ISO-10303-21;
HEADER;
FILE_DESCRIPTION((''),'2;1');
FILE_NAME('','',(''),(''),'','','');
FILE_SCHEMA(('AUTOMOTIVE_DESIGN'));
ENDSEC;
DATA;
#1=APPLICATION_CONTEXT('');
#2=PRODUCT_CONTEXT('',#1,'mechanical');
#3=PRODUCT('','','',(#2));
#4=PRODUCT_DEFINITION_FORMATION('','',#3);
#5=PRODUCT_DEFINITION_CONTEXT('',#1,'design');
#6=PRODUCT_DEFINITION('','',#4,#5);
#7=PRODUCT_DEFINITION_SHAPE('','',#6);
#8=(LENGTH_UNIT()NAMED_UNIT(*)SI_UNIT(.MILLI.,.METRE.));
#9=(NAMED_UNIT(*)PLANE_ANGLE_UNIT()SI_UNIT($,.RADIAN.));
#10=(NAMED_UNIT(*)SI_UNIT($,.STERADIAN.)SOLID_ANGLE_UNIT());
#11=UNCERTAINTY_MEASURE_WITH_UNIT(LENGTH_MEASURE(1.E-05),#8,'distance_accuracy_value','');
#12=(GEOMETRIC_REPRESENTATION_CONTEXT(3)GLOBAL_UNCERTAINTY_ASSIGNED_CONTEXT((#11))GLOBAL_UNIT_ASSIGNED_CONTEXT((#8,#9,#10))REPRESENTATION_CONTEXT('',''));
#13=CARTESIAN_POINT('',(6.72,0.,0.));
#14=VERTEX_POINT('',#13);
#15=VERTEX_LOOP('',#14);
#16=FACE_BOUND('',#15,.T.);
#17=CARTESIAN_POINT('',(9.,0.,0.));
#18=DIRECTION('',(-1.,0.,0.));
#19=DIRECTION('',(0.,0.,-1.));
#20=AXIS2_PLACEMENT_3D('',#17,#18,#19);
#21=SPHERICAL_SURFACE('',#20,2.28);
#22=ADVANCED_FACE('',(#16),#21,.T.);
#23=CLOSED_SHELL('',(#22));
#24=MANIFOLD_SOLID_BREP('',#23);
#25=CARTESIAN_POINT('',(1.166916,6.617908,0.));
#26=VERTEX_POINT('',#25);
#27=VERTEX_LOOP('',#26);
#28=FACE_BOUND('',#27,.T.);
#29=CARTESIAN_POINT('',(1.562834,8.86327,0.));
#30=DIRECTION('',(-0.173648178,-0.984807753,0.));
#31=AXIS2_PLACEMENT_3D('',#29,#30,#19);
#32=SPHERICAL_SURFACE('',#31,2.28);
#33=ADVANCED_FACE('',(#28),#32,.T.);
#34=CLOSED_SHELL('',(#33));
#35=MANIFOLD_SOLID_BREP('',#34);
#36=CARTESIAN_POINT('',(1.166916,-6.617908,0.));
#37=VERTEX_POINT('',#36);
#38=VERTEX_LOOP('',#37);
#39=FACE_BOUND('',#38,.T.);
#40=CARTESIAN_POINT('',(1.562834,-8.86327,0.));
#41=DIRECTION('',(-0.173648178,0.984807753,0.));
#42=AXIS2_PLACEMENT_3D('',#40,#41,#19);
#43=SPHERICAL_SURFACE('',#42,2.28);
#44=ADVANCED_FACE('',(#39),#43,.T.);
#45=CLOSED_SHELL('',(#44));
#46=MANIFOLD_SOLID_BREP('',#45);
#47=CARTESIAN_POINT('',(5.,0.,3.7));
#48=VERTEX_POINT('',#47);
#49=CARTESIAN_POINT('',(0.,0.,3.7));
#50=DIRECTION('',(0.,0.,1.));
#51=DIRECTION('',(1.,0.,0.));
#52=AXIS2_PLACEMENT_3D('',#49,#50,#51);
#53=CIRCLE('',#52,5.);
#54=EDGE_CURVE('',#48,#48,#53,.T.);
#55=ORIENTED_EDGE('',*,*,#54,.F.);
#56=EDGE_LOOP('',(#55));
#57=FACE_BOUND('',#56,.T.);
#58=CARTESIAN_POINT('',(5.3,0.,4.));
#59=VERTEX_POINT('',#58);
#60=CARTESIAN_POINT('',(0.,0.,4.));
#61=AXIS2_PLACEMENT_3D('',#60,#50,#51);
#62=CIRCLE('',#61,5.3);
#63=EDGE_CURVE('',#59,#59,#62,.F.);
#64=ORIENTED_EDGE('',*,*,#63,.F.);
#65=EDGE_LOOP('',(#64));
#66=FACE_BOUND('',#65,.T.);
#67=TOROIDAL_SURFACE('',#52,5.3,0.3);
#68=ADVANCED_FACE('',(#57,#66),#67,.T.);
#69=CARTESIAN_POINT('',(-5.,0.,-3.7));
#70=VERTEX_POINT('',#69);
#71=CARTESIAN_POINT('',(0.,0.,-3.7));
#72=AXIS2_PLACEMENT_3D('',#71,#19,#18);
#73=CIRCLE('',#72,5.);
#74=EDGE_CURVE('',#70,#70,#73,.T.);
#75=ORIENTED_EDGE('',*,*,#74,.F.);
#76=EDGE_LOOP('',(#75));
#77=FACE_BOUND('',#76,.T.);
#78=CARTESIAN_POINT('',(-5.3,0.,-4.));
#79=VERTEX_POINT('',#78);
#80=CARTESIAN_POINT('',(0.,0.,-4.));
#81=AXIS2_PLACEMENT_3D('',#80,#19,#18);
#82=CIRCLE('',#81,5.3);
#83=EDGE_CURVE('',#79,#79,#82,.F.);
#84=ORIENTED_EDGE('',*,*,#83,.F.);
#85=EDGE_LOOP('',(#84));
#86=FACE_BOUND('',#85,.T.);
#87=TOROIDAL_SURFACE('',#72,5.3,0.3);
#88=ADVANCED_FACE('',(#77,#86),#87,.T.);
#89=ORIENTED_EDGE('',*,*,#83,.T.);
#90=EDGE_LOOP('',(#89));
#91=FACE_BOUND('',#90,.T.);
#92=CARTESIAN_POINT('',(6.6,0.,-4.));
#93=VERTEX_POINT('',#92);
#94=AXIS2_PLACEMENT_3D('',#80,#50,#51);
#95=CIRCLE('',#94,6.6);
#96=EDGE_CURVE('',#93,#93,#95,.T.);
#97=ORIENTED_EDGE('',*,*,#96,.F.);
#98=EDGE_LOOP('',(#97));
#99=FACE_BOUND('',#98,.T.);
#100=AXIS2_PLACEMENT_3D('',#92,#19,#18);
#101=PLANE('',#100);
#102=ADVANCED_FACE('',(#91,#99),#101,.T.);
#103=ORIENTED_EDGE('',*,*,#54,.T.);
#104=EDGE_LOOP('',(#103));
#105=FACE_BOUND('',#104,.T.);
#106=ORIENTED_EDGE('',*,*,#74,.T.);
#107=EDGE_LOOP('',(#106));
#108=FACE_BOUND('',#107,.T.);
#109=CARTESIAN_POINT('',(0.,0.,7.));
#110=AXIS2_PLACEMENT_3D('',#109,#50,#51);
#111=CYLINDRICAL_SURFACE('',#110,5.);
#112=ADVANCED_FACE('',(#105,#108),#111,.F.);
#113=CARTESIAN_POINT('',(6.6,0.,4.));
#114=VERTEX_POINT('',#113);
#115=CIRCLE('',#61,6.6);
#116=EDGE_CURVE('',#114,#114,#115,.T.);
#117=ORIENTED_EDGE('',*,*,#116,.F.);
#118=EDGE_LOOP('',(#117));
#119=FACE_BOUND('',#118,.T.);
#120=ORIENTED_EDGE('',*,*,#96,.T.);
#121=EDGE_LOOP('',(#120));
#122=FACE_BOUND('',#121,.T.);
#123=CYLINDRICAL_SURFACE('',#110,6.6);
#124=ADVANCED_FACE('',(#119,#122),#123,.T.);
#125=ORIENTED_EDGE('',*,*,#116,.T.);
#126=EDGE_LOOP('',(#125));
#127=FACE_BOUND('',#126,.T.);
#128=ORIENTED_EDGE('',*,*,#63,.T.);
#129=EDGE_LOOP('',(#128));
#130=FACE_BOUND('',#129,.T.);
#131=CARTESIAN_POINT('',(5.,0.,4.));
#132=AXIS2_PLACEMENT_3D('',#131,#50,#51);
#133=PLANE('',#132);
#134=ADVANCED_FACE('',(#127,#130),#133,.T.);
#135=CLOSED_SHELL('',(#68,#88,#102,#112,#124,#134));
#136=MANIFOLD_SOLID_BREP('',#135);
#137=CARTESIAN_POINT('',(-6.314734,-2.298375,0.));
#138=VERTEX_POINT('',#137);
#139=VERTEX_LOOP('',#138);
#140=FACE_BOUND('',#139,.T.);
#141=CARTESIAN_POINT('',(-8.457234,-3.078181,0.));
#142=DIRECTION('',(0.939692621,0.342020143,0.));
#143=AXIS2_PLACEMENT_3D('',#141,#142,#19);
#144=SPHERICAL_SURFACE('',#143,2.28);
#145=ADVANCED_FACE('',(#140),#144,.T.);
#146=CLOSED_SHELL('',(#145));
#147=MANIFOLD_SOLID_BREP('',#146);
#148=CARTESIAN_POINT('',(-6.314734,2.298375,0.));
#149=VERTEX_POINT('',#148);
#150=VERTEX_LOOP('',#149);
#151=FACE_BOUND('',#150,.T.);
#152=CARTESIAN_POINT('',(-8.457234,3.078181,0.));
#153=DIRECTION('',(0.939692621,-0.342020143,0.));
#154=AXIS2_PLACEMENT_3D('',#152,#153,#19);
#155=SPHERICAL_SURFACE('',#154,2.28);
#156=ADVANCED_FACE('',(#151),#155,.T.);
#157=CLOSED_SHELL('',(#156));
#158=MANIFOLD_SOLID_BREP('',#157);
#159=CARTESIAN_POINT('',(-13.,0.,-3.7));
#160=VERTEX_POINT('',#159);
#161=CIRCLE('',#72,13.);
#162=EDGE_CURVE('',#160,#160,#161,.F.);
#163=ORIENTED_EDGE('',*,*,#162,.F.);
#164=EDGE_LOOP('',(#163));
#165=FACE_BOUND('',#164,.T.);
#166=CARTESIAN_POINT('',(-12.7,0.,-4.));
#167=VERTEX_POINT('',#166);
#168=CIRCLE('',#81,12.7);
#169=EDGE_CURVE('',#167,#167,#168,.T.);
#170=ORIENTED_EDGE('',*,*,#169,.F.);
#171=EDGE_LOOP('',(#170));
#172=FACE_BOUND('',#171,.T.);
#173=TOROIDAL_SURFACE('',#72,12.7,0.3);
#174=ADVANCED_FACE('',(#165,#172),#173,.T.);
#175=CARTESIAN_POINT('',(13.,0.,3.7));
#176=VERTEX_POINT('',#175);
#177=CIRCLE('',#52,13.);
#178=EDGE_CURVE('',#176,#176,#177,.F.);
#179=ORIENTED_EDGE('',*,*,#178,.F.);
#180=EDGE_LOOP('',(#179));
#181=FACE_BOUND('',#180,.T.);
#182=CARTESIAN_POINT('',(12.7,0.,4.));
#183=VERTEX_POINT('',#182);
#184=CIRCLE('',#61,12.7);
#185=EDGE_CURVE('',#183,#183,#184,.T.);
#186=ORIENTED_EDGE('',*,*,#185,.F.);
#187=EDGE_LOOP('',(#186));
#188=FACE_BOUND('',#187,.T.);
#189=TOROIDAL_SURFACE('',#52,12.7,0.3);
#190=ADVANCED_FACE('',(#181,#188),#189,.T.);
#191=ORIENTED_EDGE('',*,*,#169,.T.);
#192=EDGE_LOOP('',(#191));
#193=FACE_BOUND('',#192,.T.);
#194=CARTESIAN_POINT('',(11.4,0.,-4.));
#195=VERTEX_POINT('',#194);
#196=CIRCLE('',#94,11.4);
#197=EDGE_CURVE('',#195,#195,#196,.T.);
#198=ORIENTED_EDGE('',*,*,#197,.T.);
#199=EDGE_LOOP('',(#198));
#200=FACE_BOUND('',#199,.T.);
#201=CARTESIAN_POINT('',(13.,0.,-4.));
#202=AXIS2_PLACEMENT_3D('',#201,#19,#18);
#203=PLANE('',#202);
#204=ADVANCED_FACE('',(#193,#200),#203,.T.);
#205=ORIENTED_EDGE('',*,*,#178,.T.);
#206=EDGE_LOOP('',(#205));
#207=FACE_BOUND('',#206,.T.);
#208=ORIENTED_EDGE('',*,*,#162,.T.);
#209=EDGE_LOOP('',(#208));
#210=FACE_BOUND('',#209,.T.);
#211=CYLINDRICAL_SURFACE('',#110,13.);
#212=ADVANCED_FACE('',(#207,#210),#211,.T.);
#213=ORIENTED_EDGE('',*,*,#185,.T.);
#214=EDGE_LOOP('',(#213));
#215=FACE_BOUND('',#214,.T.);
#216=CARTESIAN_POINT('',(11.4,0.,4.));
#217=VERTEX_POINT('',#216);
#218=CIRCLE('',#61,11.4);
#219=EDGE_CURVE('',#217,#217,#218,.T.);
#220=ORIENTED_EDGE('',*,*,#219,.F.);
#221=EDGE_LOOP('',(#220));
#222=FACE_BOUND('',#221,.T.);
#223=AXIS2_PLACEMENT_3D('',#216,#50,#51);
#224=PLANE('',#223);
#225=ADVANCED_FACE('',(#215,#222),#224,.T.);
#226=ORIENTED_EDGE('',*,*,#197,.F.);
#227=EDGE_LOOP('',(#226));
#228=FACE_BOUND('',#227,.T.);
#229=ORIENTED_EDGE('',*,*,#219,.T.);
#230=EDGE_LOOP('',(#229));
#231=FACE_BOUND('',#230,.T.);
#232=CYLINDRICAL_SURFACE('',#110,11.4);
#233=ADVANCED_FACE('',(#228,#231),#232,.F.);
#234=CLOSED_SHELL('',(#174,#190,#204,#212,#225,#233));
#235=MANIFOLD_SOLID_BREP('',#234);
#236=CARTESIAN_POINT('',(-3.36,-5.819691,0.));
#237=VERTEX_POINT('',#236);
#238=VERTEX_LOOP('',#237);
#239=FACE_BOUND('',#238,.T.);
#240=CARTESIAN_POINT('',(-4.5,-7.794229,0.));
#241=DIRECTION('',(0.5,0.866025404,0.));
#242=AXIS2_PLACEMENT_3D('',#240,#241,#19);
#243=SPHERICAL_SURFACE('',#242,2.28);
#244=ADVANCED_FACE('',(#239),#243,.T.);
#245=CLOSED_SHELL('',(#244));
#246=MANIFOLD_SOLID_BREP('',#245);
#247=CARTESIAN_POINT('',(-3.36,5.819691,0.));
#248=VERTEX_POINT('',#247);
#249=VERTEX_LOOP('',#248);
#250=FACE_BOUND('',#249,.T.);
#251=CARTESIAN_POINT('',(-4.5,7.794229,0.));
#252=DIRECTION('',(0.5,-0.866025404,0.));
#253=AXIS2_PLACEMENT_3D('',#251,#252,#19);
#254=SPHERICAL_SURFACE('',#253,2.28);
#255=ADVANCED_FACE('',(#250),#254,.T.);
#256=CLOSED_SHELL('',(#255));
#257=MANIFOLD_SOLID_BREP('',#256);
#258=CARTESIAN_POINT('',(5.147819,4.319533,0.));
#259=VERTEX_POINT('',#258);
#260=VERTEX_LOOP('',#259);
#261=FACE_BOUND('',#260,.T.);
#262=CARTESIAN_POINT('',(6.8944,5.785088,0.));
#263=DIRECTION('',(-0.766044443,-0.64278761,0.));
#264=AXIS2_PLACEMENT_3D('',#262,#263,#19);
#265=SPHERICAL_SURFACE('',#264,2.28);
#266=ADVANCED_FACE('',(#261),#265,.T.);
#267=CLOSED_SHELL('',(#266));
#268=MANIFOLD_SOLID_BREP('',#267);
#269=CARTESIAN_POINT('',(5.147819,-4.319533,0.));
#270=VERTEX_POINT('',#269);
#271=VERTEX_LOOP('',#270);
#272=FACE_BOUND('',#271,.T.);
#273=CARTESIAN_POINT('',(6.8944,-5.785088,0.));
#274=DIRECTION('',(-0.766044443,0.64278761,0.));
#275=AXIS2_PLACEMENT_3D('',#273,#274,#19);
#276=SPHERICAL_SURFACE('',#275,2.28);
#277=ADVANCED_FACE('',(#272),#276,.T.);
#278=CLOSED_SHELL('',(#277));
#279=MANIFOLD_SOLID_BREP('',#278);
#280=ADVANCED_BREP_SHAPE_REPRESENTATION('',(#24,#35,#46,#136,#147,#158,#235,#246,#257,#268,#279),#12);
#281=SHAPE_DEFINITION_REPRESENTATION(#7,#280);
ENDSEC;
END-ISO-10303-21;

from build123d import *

# Parameters (mm, degrees)
INNERS_W           = 1.6
INNERS_H           = 8
OUTERS_W           = 1.6
OUTERS_H           = 8
BALLSPATTERN_COUNT = 9
FILLET_F1_R        = 0.3
FILLET_F2_R        = 0.3


with BuildPart() as part:
    # InnerS → InnerRing (revolve)
    with BuildSketch(Plane(origin=(0, 0, 0), x_dir=(1, 0, 0), z_dir=(0, 1, 0))):
        with Locations((5.8, 0)):
            Rectangle(INNERS_W, INNERS_H)
    revolve(axis=Axis((0, 0, 7), (0, 0, -1)))

    # Fillet F2
    fillet_f2_edges = [part.edges().sort_by_distance(p)[0] for p in [
        (-5, 0, -4),
        (-5, 0, 4),
    ]]
    fillet(fillet_f2_edges, radius=FILLET_F2_R)


with BuildPart() as body_2:
    # OuterS → OuterRing (revolve)
    with BuildSketch(Plane(origin=(0, 0, 0), x_dir=(1, 0, 0), z_dir=(0, 1, 0))):
        with Locations((12.2, 0)):
            Rectangle(OUTERS_W, OUTERS_H)
    revolve(axis=Axis((0, 0, 7), (0, 0, -1)))

    # Fillet F1
    fillet_f1_edges = [body_2.edges().sort_by_distance(p)[0] for p in [
        (-13, 0, -4),
        (-13, 0, 4),
    ]]
    fillet(fillet_f1_edges, radius=FILLET_F1_R)


with BuildPart() as body_3:
    # BallS → Ball (revolve)
    with BuildSketch(Plane(origin=(0, 0, 0), x_dir=(1, 0, 0), z_dir=(0, 1, 0))):
        with BuildLine():
            Line((6.72, 0), (11.28, 0))
            ThreePointArc((11.28, 0), (9, -2.28), (6.72, 0))
        make_face()
    revolve(axis=Axis((6.72, 0, 0), (1, 0, 0)))


with BuildPart() as ballspattern_1:
    # BallsPattern: pattern copy
    add(body_3.part.rotate(Axis((0, 0, -4.4), (0, 0, 1)), 1 * 360 / BALLSPATTERN_COUNT))


with BuildPart() as ballspattern_2:
    # BallsPattern: pattern copy
    add(body_3.part.rotate(Axis((0, 0, -4.4), (0, 0, 1)), 2 * 360 / BALLSPATTERN_COUNT))


with BuildPart() as ballspattern_3:
    # BallsPattern: pattern copy
    add(body_3.part.rotate(Axis((0, 0, -4.4), (0, 0, 1)), 3 * 360 / BALLSPATTERN_COUNT))


with BuildPart() as ballspattern_4:
    # BallsPattern: pattern copy
    add(body_3.part.rotate(Axis((0, 0, -4.4), (0, 0, 1)), 4 * 360 / BALLSPATTERN_COUNT))


with BuildPart() as ballspattern_5:
    # BallsPattern: pattern copy
    add(body_3.part.rotate(Axis((0, 0, -4.4), (0, 0, 1)), 5 * 360 / BALLSPATTERN_COUNT))


with BuildPart() as ballspattern_6:
    # BallsPattern: pattern copy
    add(body_3.part.rotate(Axis((0, 0, -4.4), (0, 0, 1)), 6 * 360 / BALLSPATTERN_COUNT))


with BuildPart() as ballspattern_7:
    # BallsPattern: pattern copy
    add(body_3.part.rotate(Axis((0, 0, -4.4), (0, 0, 1)), 7 * 360 / BALLSPATTERN_COUNT))


with BuildPart() as ballspattern_8:
    # BallsPattern: pattern copy
    add(body_3.part.rotate(Axis((0, 0, -4.4), (0, 0, 1)), 8 * 360 / BALLSPATTERN_COUNT))


solid = Compound([part.part, body_2.part, body_3.part, ballspattern_1.part, ballspattern_2.part, ballspattern_3.part, ballspattern_4.part, ballspattern_5.part, ballspattern_6.part, ballspattern_7.part, ballspattern_8.part])
